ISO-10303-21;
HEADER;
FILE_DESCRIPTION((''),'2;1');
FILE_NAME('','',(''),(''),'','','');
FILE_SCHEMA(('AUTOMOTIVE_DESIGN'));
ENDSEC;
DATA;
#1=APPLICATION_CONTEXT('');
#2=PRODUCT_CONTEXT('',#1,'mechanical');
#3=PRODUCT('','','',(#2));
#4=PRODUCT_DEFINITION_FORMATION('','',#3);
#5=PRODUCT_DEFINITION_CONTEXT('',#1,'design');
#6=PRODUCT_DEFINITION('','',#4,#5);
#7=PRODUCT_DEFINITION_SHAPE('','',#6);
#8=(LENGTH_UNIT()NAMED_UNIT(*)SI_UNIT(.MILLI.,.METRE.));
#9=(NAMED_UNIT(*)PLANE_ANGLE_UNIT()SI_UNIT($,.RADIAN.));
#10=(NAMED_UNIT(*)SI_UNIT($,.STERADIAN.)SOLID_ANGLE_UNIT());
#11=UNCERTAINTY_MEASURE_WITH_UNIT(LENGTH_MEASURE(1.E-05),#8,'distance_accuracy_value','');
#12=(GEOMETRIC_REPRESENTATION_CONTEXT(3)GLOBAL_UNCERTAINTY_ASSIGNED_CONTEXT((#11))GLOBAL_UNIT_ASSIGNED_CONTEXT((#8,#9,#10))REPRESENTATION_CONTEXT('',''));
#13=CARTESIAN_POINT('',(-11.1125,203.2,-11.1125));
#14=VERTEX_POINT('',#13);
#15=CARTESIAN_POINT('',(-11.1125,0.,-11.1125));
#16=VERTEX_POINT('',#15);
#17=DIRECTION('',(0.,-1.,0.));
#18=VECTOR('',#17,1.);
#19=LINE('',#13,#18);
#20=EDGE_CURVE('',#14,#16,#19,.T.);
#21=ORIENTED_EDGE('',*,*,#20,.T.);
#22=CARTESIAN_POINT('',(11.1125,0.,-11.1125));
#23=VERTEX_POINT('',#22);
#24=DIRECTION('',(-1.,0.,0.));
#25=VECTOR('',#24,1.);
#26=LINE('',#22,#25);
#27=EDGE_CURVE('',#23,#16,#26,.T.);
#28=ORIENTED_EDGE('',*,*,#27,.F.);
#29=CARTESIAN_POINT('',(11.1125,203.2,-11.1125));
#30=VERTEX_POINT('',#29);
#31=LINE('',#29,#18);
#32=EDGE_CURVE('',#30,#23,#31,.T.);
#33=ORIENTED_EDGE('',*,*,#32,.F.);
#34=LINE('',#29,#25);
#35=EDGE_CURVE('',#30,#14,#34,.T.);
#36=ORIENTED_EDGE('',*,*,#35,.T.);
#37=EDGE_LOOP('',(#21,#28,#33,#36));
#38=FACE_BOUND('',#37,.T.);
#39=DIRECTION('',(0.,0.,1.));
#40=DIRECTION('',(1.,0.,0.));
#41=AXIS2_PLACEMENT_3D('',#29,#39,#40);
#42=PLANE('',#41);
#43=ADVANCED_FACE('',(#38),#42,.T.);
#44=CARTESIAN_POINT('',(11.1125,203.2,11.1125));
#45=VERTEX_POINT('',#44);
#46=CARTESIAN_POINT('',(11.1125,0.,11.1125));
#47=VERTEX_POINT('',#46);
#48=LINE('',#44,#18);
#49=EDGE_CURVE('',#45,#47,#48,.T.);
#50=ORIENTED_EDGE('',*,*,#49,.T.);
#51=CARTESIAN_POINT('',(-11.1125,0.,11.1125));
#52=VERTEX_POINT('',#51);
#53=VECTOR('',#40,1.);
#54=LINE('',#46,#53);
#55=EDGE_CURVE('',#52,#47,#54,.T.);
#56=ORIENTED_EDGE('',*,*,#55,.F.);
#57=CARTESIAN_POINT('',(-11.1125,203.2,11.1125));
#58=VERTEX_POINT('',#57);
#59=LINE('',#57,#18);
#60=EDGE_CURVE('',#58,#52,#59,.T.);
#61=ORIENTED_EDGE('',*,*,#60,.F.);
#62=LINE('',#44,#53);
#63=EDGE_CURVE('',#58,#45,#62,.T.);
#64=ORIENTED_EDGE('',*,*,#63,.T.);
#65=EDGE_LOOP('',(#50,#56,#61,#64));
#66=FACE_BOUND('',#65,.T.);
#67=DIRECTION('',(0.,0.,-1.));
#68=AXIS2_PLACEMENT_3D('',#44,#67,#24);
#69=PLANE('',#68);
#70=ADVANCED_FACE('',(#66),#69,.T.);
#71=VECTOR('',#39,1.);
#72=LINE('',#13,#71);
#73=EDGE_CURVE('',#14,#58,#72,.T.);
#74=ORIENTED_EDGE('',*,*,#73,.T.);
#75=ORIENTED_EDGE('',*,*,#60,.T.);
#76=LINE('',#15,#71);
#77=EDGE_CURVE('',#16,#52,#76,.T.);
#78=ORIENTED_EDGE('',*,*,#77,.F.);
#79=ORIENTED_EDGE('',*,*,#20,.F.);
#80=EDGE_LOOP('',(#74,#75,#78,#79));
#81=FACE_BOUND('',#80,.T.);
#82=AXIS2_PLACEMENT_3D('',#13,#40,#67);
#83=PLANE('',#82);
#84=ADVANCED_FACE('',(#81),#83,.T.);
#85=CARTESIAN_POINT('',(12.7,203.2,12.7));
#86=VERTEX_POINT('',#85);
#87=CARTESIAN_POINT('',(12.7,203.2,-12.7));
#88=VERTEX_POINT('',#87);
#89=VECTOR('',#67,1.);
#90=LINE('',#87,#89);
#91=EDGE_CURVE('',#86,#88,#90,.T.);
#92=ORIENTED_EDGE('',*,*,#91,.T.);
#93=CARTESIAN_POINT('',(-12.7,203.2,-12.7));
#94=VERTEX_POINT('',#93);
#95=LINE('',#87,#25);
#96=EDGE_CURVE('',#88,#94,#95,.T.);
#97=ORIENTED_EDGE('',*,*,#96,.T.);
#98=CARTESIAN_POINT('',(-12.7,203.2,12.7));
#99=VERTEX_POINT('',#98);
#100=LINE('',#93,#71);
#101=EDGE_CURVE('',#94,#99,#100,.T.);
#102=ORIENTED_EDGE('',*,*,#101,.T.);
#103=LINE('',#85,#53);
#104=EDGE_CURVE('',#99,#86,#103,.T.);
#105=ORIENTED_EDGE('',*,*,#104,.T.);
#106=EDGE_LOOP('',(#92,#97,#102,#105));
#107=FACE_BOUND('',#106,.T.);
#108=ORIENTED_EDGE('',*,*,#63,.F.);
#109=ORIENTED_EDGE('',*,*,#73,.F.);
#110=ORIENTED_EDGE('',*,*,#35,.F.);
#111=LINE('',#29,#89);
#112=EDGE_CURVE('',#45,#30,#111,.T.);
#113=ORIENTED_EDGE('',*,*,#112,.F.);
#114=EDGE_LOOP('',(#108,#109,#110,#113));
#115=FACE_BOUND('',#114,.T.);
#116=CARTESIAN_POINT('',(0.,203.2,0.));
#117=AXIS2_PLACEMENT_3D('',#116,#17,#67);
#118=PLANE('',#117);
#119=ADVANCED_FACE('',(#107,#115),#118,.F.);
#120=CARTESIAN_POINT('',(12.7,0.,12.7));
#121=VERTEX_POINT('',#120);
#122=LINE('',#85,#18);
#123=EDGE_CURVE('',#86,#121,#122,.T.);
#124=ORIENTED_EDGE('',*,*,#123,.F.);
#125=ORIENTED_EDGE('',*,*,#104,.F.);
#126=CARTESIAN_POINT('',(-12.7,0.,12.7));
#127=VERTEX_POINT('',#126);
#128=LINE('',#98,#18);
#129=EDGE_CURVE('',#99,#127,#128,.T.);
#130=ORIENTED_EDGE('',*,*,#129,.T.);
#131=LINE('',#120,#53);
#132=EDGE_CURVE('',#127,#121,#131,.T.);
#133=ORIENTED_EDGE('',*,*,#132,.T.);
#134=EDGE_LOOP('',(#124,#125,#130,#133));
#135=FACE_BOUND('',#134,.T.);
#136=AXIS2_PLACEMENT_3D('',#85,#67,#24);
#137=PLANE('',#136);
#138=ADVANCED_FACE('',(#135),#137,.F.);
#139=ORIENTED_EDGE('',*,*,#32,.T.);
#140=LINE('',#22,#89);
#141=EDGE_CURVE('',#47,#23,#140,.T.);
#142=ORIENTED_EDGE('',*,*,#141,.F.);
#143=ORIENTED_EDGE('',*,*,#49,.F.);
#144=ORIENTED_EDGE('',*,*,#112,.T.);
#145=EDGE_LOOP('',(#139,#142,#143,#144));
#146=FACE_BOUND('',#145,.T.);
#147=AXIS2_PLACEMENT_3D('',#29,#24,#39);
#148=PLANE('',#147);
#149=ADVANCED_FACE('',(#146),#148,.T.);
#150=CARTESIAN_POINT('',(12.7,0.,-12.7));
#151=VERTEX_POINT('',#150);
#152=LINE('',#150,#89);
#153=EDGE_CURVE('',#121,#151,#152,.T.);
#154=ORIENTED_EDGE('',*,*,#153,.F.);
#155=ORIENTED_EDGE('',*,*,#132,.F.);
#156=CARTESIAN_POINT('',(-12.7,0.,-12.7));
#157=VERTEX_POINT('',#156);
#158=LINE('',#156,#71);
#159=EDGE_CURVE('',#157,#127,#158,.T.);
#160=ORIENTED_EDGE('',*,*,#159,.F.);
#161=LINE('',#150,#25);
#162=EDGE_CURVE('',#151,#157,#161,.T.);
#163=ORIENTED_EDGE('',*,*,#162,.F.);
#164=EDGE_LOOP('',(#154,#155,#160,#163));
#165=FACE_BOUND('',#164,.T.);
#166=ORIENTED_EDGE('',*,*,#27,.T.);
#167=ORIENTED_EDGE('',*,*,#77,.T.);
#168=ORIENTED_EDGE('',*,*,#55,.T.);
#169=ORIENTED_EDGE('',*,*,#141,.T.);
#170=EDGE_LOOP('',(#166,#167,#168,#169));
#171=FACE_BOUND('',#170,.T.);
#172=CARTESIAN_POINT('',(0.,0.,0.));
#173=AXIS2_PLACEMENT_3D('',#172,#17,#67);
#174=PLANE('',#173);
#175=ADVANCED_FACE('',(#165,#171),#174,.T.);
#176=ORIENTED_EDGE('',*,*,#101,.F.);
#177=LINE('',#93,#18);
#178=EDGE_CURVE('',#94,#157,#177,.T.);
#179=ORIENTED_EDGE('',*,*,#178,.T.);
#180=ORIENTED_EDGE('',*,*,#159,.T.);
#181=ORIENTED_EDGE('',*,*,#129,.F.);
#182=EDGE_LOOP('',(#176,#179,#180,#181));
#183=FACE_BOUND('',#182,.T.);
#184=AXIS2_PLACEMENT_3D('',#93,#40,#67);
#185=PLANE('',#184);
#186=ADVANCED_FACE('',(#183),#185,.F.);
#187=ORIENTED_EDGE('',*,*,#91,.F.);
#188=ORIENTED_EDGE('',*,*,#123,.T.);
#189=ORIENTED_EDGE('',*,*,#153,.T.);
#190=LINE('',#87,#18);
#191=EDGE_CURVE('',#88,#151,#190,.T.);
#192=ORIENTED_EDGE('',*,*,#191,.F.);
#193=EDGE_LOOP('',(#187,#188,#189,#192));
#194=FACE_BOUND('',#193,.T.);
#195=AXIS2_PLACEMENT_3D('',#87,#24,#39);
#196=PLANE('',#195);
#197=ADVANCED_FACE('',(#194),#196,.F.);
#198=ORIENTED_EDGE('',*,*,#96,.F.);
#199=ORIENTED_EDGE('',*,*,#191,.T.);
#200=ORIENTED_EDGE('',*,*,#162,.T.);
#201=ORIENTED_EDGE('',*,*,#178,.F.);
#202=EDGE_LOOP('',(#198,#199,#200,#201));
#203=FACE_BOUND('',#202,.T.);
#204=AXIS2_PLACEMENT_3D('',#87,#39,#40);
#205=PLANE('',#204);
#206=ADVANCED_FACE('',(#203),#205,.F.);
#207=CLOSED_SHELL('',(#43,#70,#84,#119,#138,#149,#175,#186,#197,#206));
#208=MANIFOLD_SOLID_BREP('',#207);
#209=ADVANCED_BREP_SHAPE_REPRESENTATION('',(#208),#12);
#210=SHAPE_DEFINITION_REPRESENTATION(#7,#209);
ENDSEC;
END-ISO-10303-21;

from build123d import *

# Parameters (mm, degrees)
SKETCH1_W           = 25.4
SKETCH1_H           = 25.4
SKETCH1_W_2         = 22.225
SKETCH1_H_2         = 22.225
BOSS_EXTRUDE1_DEPTH = 203.2


with BuildPart() as part:
    # Sketch1 → Boss-Extrude1 (new body)
    with BuildSketch(Plane(origin=(0, 0, 0), x_dir=(1, 0, 0), z_dir=(0, 1, 0))):
        Rectangle(SKETCH1_W, SKETCH1_H)
        Rectangle(SKETCH1_W_2, SKETCH1_H_2, mode=Mode.SUBTRACT)
    extrude(amount=BOSS_EXTRUDE1_DEPTH)


solid = part.part
